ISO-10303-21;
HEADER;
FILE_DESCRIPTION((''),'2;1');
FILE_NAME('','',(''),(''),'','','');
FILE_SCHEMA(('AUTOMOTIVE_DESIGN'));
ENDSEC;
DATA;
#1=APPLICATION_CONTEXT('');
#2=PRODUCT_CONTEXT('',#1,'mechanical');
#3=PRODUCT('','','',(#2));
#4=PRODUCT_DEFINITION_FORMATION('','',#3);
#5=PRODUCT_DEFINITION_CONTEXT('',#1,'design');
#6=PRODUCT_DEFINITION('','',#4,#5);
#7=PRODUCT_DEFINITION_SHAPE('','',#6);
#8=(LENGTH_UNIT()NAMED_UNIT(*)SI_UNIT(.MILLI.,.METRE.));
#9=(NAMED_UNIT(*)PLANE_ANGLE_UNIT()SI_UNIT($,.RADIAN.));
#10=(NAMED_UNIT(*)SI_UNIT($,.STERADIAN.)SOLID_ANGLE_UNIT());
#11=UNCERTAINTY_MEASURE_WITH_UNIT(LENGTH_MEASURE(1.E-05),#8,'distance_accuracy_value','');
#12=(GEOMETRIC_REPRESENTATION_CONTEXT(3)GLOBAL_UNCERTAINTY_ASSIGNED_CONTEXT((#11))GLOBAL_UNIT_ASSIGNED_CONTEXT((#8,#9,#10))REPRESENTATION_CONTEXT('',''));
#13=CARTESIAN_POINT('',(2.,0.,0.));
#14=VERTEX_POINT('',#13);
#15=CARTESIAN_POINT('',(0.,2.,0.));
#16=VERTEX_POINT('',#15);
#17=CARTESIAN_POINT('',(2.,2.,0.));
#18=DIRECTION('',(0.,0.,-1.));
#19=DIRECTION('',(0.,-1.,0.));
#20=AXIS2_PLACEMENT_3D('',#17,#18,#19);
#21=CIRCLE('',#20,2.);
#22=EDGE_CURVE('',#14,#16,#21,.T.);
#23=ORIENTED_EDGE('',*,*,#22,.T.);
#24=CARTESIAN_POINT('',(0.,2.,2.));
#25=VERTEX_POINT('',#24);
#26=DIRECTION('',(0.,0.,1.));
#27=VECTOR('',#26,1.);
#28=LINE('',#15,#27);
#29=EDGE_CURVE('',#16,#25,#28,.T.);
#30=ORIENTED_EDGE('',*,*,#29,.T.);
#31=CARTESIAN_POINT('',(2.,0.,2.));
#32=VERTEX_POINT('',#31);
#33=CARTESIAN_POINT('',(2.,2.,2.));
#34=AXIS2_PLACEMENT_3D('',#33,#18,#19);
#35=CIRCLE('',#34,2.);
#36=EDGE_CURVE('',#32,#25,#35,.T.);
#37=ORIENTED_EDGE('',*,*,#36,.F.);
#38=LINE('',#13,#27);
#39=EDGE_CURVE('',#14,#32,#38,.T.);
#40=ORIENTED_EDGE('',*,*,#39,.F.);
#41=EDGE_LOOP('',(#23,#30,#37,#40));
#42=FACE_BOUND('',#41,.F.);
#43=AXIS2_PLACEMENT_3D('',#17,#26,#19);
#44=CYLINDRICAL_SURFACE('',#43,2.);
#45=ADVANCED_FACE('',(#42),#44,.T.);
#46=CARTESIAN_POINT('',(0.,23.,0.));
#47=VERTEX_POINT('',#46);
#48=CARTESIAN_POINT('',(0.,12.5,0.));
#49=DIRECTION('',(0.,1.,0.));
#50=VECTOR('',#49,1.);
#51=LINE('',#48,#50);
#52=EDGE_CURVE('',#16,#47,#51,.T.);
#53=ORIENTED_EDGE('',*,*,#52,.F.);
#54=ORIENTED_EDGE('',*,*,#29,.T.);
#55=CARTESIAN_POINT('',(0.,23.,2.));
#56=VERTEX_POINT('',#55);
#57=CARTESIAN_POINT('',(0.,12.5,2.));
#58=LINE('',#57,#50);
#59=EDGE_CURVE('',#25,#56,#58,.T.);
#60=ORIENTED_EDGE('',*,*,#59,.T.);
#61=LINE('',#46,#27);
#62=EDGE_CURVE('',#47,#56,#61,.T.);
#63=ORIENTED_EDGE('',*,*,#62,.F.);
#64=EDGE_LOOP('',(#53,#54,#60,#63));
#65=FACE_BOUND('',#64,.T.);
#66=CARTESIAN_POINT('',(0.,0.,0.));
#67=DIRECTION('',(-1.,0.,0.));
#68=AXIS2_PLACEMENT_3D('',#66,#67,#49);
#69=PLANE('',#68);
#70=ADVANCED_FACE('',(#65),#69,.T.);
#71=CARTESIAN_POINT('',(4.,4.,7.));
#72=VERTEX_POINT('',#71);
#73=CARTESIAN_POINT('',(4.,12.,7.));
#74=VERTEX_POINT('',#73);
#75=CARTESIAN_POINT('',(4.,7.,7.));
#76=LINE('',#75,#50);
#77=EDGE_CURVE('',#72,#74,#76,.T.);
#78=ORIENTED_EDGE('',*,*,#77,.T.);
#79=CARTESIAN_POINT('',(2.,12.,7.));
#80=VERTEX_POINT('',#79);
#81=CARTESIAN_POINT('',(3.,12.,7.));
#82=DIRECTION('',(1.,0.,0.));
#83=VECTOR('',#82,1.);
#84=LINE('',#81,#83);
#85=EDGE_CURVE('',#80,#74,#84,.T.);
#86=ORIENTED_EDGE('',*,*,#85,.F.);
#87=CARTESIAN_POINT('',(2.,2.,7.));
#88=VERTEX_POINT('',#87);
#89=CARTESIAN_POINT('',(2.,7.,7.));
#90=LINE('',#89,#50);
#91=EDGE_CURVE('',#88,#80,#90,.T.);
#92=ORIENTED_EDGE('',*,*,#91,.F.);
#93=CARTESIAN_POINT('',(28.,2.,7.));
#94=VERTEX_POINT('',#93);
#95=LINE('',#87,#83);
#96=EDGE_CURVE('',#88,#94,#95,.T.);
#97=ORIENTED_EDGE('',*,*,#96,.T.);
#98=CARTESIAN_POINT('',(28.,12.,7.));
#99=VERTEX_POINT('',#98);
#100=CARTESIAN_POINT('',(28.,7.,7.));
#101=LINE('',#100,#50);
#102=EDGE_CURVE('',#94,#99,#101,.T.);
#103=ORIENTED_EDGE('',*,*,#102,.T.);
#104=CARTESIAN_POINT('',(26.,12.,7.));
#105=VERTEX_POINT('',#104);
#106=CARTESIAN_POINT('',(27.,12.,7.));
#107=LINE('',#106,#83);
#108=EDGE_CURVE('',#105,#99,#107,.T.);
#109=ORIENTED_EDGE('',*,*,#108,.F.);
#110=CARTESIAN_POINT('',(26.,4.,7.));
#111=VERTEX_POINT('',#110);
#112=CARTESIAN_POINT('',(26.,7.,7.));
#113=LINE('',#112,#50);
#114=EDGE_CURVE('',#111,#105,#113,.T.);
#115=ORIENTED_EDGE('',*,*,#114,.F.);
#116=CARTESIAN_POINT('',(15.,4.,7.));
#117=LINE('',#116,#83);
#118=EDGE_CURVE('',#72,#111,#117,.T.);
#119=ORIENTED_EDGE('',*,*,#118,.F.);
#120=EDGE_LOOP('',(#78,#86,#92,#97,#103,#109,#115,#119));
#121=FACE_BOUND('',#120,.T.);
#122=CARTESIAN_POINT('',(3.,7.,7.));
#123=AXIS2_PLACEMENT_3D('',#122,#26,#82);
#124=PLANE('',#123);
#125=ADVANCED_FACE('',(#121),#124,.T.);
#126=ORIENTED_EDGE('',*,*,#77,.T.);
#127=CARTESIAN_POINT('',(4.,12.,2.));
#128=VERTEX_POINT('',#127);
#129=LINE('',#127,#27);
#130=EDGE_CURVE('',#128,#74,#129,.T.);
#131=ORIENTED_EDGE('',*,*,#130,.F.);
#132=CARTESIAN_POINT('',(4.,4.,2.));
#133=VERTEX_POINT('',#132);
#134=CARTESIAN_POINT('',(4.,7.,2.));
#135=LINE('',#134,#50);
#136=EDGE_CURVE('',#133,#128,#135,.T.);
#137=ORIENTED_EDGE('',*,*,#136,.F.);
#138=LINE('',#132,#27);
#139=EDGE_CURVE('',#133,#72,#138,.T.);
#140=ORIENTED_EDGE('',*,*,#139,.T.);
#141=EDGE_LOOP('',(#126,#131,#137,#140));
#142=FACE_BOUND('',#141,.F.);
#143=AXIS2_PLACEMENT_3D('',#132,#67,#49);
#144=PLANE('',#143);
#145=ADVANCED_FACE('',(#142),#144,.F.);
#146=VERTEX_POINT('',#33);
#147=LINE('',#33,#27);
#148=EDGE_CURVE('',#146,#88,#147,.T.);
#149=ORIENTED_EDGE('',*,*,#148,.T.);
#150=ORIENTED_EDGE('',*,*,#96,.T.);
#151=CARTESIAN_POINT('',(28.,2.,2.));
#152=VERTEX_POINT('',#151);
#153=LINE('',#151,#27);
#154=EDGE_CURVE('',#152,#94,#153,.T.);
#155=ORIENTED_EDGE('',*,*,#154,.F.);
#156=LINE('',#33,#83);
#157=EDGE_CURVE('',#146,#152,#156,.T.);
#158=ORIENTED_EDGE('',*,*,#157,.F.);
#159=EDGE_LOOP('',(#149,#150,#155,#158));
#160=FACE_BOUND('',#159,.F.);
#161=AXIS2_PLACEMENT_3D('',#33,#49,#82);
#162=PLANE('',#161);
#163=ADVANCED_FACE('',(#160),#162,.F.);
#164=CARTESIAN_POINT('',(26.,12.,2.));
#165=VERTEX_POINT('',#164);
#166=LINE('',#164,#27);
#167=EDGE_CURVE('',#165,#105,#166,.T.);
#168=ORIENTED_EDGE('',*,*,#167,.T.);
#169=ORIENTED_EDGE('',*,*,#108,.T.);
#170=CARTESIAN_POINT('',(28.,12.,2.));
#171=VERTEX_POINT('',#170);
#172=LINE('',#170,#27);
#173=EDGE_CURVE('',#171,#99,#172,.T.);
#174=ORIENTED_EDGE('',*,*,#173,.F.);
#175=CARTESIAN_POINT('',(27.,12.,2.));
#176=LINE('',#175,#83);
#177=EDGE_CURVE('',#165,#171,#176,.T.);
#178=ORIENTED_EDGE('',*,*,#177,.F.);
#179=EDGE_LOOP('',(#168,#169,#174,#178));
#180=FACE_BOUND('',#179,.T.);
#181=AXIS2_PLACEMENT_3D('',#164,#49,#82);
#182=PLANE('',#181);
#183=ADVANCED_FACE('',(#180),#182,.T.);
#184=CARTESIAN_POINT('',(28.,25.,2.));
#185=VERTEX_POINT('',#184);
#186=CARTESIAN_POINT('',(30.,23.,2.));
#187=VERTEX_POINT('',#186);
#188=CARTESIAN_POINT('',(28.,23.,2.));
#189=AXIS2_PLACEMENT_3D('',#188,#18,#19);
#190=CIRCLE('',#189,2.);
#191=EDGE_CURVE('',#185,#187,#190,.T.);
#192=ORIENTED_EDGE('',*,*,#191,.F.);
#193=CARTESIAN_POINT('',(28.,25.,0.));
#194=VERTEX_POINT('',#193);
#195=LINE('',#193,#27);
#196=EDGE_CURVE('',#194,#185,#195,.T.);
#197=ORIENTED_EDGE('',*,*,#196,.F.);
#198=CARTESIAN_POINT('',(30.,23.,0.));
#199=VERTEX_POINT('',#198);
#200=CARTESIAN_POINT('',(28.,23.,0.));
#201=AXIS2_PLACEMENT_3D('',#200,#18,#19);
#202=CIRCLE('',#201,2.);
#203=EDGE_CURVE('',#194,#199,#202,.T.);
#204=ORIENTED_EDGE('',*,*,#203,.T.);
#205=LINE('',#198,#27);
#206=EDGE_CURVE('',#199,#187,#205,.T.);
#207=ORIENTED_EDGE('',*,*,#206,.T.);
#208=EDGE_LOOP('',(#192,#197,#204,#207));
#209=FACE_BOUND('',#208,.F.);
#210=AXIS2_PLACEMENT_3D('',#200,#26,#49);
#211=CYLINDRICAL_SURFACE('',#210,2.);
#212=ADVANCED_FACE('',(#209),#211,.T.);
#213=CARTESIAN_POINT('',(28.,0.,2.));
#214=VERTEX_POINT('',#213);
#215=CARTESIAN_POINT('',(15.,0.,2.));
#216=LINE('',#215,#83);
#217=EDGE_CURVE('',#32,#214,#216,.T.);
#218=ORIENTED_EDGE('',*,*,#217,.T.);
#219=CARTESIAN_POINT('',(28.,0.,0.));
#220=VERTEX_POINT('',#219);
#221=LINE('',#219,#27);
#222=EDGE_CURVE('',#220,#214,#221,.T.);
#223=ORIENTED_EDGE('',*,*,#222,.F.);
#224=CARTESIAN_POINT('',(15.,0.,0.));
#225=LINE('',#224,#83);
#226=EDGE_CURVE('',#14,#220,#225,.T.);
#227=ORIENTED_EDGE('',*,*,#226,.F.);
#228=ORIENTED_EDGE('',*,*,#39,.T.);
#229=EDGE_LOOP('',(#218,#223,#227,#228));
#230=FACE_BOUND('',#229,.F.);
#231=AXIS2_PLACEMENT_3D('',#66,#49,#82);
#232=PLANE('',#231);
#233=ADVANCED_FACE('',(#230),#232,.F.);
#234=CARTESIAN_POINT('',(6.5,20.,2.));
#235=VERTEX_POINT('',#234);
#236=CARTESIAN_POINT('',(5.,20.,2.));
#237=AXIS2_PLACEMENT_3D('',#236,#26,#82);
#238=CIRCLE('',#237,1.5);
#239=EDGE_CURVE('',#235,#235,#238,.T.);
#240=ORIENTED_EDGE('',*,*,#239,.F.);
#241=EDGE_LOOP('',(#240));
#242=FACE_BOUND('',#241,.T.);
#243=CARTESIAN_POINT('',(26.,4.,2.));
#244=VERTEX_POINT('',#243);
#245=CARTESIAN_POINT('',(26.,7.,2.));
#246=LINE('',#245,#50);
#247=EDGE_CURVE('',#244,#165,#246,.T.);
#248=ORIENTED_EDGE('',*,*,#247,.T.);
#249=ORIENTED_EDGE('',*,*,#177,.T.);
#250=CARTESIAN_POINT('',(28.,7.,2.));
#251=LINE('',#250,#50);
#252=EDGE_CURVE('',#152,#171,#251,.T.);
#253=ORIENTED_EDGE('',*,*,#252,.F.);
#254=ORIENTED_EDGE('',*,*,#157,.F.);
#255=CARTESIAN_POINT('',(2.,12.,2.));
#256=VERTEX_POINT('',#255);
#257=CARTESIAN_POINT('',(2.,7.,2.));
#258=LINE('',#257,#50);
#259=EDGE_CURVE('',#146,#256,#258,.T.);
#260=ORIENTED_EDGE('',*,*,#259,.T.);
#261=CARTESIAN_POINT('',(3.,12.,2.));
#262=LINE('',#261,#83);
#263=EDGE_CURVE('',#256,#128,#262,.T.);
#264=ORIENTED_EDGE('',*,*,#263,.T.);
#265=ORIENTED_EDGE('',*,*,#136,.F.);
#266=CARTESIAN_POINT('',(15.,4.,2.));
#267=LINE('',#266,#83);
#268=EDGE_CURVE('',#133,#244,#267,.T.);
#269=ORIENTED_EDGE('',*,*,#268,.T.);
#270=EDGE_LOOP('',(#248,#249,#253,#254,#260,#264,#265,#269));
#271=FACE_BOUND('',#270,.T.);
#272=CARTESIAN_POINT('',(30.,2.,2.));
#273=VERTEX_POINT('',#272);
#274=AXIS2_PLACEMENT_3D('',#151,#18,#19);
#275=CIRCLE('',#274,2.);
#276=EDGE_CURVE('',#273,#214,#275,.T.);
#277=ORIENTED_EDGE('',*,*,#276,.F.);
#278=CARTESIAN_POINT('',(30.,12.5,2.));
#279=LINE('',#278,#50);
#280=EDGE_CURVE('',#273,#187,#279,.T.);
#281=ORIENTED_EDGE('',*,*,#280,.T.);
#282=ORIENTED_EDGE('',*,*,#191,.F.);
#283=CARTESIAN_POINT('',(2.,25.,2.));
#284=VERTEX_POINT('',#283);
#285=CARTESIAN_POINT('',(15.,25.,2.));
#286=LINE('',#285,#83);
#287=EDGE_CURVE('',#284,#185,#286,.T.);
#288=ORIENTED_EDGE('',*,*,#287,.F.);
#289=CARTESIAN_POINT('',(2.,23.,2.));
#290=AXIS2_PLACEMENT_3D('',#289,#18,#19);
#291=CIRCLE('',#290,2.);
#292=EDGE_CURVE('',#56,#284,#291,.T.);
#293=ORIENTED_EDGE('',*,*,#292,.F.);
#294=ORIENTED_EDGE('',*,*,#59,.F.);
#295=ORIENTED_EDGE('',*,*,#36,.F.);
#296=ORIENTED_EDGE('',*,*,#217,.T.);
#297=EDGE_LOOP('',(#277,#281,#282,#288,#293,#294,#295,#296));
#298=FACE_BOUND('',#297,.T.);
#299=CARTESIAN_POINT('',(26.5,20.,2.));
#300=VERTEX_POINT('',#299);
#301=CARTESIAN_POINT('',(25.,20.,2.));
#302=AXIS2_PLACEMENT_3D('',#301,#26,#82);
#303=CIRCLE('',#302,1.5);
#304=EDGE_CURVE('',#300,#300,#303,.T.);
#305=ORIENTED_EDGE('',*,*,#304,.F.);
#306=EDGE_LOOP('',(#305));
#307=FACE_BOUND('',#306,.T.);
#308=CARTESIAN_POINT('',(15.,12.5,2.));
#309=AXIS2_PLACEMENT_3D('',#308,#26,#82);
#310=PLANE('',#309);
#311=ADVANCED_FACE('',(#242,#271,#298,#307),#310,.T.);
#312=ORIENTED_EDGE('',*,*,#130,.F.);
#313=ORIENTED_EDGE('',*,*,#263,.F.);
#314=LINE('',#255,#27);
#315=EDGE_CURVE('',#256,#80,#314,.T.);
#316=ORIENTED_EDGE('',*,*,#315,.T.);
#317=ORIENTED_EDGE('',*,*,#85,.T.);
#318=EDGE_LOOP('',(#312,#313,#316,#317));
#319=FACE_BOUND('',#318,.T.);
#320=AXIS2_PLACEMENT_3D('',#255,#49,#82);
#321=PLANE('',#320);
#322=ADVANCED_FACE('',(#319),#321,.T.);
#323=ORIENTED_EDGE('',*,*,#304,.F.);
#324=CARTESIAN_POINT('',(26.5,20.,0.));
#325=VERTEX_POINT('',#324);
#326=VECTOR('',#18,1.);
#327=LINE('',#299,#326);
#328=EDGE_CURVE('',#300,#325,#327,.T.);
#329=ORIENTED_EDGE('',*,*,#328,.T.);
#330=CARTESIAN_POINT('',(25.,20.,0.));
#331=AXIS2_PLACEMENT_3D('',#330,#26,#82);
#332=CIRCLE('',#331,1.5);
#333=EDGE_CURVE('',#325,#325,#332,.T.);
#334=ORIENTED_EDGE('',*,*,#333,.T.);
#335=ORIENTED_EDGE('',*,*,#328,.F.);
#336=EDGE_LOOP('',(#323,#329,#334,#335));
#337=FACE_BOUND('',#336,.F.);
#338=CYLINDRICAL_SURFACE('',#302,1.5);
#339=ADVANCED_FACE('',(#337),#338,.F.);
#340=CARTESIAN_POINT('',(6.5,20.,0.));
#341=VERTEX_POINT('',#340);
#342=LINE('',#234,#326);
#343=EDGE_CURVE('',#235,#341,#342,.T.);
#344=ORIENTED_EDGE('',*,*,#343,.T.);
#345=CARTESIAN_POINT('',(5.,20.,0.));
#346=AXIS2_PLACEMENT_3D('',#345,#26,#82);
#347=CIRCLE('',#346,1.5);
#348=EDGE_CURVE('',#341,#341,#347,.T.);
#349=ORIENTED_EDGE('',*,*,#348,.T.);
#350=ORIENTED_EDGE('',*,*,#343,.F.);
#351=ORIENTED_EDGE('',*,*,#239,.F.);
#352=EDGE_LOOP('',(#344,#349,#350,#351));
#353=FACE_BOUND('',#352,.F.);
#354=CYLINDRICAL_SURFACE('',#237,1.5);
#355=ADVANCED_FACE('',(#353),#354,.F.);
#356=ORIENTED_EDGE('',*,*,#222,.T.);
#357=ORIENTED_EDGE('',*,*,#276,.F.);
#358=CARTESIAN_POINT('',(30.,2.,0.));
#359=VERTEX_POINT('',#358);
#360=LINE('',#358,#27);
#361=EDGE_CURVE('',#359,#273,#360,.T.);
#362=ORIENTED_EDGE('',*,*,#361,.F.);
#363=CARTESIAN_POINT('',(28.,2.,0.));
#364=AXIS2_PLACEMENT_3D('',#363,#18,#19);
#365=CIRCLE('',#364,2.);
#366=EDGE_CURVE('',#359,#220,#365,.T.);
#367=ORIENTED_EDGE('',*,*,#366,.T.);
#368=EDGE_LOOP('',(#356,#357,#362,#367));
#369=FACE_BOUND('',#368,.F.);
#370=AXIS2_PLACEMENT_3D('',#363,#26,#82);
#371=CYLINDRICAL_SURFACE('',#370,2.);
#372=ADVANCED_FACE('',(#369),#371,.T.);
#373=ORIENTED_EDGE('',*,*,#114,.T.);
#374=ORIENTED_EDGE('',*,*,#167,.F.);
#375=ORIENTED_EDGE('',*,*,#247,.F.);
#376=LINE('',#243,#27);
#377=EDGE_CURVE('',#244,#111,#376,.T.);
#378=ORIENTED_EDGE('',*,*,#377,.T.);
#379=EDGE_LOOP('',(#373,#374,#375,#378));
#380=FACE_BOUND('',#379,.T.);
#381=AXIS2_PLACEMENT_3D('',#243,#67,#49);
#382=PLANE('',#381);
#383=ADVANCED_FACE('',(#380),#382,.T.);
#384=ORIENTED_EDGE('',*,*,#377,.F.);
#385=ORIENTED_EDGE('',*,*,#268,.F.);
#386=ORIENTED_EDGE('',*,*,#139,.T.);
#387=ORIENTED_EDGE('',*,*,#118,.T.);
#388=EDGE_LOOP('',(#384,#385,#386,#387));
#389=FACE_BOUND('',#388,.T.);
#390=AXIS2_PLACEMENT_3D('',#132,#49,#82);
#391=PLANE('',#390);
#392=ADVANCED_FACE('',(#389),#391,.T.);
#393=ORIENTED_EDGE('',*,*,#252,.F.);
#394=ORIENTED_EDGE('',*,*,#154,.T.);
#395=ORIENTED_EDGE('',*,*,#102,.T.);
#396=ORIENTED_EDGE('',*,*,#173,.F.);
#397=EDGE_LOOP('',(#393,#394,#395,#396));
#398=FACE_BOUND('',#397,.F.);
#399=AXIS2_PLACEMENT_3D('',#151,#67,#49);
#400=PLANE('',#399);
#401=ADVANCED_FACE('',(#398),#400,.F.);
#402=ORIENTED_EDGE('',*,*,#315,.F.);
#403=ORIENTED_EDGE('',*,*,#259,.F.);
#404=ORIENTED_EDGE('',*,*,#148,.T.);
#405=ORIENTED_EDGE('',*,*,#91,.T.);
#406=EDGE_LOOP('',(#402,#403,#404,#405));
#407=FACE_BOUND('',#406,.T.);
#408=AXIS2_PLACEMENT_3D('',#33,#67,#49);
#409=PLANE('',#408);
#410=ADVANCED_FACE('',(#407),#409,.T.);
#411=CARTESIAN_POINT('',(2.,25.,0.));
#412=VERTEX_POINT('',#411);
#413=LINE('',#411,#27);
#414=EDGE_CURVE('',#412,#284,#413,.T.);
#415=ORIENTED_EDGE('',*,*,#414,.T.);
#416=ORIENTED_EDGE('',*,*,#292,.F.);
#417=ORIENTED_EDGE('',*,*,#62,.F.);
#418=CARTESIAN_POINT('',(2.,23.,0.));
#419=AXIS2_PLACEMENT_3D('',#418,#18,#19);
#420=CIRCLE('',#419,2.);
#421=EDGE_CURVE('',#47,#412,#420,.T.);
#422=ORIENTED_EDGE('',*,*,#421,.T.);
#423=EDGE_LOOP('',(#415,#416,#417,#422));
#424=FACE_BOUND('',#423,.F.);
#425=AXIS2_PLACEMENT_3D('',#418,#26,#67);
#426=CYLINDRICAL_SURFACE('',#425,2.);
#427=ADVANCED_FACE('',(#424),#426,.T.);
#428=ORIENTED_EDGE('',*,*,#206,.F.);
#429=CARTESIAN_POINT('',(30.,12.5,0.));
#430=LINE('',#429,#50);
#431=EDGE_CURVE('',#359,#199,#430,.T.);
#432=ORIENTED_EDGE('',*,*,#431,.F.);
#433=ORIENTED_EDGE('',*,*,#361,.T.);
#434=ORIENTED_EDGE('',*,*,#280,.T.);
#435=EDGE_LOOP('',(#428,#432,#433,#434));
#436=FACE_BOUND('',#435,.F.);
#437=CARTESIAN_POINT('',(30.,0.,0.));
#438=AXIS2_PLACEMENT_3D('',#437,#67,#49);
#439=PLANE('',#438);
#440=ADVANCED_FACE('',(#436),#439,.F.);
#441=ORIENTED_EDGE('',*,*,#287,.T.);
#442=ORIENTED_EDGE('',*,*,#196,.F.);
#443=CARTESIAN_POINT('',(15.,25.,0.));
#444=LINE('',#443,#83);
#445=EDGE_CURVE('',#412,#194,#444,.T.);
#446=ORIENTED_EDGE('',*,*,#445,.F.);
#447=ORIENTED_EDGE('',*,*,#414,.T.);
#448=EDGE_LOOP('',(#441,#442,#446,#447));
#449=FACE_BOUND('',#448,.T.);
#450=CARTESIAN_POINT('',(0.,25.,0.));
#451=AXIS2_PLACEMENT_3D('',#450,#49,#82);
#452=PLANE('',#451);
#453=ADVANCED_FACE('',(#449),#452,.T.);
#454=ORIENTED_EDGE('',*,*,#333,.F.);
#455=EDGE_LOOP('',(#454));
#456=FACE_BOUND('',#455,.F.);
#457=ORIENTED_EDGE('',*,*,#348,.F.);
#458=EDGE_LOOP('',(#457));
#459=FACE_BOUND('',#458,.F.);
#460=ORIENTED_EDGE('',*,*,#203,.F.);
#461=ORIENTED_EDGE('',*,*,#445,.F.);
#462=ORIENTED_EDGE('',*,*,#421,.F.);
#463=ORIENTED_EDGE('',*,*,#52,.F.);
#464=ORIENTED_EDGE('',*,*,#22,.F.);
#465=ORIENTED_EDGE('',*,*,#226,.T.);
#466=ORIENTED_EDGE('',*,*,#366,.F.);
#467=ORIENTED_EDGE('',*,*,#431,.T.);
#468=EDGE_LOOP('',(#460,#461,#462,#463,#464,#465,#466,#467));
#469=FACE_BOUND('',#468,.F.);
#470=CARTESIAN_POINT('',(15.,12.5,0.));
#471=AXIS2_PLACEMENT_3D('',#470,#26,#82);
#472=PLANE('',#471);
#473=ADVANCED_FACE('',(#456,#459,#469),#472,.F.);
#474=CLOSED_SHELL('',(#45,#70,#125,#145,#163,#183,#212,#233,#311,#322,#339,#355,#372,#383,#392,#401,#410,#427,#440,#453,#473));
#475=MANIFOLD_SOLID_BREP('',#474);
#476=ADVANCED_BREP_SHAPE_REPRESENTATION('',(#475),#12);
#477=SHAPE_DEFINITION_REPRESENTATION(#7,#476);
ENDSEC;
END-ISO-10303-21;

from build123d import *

# Parameters (mm, degrees)
SKETCH_W      = 30
SKETCH_H      = 25
PAD_DEPTH     = 2
SKETCH001_R   = 1.5
POCKET_DEPTH  = 5
SKETCH002_W   = 2
SKETCH002_H   = 10
SKETCH002_W_2 = 22
SKETCH002_H_2 = 2
PAD001_DEPTH  = 5
FILLET_R      = 2
FILLET001_R   = 2
FILLET002_R   = 2
FILLET003_R   = 2


with BuildPart() as part:
    # Sketch → Pad (new body)
    with BuildSketch(Plane.XY):
        with Locations((15, 12.5)):
            Rectangle(SKETCH_W, SKETCH_H)
    extrude(amount=PAD_DEPTH)

    # Sketch001 → Pocket (cut)
    with BuildSketch(Plane.XY.offset(2)):
        with Locations((5, 20)):
            Circle(SKETCH001_R)
        with Locations((25, 20)):
            Circle(SKETCH001_R)
    extrude(amount=-POCKET_DEPTH, mode=Mode.SUBTRACT)

    # Sketch002 → Pad001 (new body)
    with BuildSketch(Plane.XY.offset(2)):
        with Locations((3, 7)):
            Rectangle(SKETCH002_W, SKETCH002_H)
        with Locations((27, 7)):
            Rectangle(SKETCH002_W, SKETCH002_H)
        with Locations((15, 3)):
            Rectangle(SKETCH002_W_2, SKETCH002_H_2)
    extrude(amount=PAD001_DEPTH)

    # Fillet
    fillet_edges = [part.edges().sort_by_distance(p)[0] for p in [
        (30, 25, 1),
    ]]
    fillet(fillet_edges, radius=FILLET_R)

    # Fillet001
    fillet001_edges = [part.edges().sort_by_distance(p)[0] for p in [
        (30, 0, 1),
    ]]
    fillet(fillet001_edges, radius=FILLET001_R)

    # Fillet002
    fillet002_edges = [part.edges().sort_by_distance(p)[0] for p in [
        (0, 0, 1),
    ]]
    fillet(fillet002_edges, radius=FILLET002_R)

    # Fillet003
    fillet003_edges = [part.edges().sort_by_distance(p)[0] for p in [
        (0, 25, 1),
    ]]
    fillet(fillet003_edges, radius=FILLET003_R)


solid = part.part
